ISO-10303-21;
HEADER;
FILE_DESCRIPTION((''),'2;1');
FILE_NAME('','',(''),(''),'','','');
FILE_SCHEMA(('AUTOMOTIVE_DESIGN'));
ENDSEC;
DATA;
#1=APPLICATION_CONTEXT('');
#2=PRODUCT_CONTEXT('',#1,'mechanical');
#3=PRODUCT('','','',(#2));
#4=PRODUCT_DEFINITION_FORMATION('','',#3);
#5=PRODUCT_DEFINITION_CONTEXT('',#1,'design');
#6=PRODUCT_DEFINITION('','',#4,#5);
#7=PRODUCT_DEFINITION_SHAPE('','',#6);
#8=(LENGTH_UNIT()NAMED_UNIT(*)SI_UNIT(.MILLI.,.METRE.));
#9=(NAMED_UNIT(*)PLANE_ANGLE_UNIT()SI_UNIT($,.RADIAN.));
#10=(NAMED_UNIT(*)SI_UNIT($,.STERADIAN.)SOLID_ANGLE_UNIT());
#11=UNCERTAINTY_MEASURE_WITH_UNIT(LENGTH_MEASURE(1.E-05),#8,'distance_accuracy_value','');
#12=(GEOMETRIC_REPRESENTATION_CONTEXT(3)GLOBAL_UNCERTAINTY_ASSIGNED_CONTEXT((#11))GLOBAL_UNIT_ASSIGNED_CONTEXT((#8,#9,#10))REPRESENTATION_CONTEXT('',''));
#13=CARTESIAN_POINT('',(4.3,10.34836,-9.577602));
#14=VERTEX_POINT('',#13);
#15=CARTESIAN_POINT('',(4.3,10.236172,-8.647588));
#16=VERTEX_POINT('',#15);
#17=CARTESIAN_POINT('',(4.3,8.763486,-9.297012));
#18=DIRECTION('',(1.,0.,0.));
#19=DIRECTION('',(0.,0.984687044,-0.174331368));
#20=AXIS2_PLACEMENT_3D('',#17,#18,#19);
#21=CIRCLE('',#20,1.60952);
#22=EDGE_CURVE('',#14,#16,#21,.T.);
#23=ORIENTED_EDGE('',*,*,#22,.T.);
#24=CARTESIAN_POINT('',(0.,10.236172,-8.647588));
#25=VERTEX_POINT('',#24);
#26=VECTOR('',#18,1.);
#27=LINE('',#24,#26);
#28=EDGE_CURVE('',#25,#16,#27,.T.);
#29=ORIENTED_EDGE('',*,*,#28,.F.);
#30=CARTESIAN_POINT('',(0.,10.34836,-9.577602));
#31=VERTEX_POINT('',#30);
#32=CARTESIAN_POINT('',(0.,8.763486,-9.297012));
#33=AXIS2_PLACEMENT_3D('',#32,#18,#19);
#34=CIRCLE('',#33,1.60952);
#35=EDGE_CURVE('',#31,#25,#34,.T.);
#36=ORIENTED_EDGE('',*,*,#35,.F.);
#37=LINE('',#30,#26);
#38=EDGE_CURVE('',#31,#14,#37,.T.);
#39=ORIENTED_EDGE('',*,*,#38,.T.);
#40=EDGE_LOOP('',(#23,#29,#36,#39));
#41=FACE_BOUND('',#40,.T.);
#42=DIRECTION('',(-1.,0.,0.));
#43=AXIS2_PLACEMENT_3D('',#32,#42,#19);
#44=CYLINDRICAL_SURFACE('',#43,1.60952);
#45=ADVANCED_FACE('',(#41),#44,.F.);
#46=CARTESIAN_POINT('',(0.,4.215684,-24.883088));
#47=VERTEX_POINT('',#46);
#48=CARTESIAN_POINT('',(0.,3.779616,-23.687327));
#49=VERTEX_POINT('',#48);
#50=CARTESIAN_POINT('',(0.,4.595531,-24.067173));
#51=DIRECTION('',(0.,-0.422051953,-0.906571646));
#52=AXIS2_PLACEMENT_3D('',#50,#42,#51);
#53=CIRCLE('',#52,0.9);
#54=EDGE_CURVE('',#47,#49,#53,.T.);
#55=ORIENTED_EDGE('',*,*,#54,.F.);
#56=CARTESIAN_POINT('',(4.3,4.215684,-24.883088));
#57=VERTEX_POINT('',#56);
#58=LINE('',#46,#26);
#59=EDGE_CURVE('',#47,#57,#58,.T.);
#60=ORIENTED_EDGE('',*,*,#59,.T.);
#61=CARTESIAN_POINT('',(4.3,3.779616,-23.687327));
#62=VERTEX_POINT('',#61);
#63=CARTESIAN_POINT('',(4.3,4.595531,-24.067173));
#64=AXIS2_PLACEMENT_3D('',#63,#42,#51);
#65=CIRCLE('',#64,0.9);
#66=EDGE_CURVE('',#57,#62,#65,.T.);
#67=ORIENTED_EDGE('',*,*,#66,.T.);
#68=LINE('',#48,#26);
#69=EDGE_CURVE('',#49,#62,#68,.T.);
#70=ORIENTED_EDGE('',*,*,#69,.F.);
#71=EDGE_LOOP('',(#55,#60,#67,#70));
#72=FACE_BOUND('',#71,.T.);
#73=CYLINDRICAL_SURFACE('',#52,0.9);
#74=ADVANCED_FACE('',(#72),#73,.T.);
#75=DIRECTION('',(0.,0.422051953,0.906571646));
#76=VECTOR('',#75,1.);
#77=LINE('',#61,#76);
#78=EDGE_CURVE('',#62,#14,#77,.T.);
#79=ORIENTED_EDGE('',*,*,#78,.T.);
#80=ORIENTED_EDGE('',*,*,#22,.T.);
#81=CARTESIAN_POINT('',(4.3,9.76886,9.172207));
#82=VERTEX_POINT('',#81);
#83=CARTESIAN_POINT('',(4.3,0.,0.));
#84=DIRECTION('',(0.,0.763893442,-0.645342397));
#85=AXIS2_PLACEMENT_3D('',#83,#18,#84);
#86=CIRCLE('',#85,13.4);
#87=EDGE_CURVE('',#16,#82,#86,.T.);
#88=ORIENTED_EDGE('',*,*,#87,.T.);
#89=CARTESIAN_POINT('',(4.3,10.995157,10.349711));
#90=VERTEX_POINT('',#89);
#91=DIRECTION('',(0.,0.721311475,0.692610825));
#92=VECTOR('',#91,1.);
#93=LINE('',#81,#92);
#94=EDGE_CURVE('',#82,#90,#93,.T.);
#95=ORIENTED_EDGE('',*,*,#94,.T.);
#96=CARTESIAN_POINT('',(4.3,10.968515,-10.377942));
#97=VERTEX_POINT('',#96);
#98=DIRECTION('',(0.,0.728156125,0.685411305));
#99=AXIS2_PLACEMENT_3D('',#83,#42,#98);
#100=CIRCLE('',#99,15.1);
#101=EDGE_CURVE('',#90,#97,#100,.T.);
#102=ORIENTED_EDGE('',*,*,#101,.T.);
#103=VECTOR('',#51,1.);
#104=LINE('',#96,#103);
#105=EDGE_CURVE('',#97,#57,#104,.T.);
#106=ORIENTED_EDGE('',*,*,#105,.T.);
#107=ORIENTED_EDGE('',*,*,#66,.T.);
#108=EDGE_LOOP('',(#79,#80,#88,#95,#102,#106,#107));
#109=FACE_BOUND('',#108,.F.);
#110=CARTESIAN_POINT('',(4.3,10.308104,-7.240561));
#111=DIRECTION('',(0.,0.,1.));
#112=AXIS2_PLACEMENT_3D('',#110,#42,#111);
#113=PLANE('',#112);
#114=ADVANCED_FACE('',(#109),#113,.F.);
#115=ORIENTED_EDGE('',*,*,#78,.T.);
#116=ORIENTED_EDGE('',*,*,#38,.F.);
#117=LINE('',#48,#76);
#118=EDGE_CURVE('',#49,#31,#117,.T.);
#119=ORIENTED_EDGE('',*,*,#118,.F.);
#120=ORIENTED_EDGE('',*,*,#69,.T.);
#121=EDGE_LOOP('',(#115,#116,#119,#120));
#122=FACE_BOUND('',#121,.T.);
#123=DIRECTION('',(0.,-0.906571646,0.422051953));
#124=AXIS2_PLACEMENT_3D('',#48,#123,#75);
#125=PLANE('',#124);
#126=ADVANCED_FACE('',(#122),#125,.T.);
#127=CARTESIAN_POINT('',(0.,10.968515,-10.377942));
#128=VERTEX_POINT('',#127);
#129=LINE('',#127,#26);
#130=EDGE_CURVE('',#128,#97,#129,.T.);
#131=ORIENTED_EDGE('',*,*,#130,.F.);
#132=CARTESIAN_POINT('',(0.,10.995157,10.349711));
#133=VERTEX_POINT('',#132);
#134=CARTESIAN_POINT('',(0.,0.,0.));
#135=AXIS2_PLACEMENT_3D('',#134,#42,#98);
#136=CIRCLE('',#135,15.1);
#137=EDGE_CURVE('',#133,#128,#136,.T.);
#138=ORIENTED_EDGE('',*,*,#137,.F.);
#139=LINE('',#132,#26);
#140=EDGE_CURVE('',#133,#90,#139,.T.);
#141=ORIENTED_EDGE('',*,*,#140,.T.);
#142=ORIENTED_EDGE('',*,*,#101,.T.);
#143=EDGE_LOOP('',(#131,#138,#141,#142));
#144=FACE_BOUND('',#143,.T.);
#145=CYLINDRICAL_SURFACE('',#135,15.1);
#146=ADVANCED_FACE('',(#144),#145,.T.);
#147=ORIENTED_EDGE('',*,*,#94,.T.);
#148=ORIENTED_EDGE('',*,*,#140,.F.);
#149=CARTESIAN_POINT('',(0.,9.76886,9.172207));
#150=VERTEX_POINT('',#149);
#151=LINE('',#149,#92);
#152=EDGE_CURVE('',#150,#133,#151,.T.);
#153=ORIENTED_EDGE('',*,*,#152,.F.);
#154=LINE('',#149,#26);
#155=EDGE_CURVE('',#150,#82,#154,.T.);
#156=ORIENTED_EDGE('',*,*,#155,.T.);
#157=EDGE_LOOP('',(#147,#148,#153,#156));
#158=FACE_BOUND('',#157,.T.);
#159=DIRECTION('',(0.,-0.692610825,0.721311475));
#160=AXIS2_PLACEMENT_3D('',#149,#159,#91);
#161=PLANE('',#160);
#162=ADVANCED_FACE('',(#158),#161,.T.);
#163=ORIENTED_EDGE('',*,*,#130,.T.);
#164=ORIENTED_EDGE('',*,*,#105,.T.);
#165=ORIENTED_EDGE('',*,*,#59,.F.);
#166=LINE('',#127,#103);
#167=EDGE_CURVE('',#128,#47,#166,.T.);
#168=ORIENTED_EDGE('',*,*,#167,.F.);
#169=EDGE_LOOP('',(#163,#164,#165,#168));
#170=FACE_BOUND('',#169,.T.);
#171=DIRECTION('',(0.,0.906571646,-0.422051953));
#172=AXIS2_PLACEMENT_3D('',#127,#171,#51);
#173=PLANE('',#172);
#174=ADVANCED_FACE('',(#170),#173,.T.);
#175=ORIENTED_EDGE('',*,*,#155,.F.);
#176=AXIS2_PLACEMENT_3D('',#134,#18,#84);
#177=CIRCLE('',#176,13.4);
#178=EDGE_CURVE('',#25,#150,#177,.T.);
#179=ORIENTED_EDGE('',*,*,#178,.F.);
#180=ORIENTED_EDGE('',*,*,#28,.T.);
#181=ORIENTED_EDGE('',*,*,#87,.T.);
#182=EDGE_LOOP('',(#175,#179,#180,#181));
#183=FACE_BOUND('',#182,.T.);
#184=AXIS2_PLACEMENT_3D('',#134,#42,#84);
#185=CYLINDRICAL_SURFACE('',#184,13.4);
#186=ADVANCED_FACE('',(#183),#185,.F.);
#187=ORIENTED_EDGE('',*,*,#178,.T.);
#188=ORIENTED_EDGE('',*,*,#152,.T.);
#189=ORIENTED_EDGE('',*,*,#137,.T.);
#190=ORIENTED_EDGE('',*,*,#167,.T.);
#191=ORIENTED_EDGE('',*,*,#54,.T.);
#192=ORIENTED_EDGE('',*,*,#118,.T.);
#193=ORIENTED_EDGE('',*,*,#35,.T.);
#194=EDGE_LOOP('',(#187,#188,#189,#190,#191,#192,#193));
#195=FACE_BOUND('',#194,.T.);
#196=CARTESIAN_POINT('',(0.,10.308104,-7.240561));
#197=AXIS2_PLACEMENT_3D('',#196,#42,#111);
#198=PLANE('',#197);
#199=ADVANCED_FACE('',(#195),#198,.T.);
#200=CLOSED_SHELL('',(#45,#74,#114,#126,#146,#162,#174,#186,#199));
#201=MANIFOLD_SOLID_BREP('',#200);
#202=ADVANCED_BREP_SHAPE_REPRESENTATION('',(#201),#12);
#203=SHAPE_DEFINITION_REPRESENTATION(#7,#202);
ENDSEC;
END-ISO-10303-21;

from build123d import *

# Parameters (mm, degrees)
BOSS_EXTRUDE1_DEPTH = 4.3


with BuildPart() as part:
    # Sketch1 → Boss-Extrude1 (new body)
    with BuildSketch(Plane(origin=(0, 0, 0), x_dir=(0, 0, -1), z_dir=(1, 0, 0))):
        with BuildLine():
            Line((10.377941535, 10.968515373), (24.883087867, 4.215684123))
            ThreePointArc((24.883087867, 4.215684123), (24.37551983, 3.75), (23.687326628, 3.7796164))
            Line((23.687326628, 3.7796164), (9.577602267, 10.348360032))
            ThreePointArc((9.577602267, 10.348360032), (9.104252866, 10.361422213), (8.647588121, 10.236172121))
            ThreePointArc((8.647588121, 10.236172121), (-0.351285356, 13.395394679), (-9.172206838, 9.768859797))
            Line((-9.172206838, 9.768859797), (-10.349710711, 10.995157488))
            ThreePointArc((-10.349710711, 10.995157488), (0.019408643, 15.099987527), (10.377941535, 10.968515373))
        make_face()
    extrude(amount=BOSS_EXTRUDE1_DEPTH)


solid = part.part
